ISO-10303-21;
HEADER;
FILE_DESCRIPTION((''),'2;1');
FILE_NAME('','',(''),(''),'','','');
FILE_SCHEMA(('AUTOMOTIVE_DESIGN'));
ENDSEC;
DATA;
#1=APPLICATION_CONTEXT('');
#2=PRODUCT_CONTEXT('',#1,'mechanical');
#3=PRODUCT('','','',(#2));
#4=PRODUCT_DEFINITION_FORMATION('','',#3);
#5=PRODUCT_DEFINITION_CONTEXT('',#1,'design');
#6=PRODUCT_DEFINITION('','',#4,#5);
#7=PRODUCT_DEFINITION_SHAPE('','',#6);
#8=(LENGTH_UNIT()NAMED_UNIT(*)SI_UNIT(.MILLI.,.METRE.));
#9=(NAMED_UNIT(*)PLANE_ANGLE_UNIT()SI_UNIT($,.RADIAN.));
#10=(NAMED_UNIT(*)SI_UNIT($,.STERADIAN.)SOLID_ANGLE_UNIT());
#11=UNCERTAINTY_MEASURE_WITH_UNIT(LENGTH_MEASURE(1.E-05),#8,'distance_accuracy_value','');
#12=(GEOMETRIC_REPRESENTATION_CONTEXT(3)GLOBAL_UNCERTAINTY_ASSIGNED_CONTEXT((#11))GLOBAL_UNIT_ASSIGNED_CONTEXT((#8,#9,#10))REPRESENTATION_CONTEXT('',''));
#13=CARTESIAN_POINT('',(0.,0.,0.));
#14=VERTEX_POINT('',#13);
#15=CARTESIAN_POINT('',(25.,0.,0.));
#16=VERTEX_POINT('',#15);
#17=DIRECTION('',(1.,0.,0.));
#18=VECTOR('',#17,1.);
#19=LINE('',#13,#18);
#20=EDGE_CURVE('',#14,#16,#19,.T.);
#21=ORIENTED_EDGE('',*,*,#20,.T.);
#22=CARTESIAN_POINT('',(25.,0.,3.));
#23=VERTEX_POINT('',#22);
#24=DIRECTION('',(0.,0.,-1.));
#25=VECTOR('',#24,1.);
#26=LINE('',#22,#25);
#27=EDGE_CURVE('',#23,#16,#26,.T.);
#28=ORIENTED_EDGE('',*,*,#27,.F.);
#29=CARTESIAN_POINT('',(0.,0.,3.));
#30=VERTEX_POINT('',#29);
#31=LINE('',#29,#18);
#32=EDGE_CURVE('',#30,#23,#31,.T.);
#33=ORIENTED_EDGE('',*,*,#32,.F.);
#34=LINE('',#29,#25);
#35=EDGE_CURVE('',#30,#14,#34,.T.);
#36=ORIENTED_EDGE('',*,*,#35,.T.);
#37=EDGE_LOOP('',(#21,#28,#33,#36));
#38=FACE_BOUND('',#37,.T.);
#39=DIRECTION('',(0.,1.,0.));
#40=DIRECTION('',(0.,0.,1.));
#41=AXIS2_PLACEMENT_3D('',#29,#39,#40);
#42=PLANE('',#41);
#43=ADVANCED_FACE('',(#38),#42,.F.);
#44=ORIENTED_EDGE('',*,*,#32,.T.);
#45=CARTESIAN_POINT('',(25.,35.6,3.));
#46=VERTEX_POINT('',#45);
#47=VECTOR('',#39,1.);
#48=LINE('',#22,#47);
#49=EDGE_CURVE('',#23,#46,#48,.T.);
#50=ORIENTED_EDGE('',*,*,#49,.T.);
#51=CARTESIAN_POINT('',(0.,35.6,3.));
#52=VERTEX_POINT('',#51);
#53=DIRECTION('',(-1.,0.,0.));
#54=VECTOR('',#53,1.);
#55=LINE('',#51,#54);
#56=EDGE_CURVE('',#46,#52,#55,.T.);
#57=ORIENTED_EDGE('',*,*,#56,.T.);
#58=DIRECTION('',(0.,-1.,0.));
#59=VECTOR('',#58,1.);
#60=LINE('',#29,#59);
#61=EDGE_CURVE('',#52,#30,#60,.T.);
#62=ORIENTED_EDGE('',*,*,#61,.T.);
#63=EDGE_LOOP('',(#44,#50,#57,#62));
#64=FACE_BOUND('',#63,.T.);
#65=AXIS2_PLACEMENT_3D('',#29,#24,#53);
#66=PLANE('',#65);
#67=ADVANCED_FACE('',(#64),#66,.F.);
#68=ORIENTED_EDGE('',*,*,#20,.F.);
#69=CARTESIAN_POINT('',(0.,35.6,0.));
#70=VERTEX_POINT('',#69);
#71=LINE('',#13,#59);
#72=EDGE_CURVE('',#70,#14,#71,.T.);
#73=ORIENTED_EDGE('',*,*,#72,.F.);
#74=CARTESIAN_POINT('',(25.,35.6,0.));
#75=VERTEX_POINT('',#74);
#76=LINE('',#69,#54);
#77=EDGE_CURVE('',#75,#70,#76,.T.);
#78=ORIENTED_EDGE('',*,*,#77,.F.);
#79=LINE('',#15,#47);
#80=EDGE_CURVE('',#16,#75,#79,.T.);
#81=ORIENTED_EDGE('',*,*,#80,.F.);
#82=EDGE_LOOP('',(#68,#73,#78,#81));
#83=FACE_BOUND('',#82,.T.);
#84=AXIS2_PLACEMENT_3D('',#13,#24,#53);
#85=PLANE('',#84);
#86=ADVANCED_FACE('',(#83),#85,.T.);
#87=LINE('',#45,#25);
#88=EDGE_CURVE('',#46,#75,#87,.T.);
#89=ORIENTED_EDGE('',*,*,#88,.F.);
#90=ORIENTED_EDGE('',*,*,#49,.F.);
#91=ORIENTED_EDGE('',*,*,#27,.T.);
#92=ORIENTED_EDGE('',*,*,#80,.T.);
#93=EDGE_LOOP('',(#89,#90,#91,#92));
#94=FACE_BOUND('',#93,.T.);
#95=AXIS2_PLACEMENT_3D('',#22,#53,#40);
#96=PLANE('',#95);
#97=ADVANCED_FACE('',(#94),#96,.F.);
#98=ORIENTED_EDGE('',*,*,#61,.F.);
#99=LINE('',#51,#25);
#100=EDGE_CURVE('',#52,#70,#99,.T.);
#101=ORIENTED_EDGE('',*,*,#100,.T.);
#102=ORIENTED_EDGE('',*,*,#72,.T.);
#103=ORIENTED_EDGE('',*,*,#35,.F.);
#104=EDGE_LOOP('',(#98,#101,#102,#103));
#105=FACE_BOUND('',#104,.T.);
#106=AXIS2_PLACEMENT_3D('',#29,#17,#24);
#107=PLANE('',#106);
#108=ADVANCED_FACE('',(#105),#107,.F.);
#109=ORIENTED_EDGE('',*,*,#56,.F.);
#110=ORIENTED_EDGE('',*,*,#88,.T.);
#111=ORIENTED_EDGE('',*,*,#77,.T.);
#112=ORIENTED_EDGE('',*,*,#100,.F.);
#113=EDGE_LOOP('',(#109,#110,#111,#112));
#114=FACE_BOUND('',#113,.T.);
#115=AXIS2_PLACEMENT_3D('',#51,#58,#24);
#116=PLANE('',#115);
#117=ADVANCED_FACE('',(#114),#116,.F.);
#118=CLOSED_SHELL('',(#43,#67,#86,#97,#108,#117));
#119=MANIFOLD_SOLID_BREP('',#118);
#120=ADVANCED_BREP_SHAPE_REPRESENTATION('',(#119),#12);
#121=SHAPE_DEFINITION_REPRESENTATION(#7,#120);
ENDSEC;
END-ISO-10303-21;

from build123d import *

# Parameters (mm, degrees)
SKETCH1_W           = 25
SKETCH1_H           = 35.6
BOSS_EXTRUDE1_DEPTH = 3


with BuildPart() as part:
    # Sketch1 → Boss-Extrude1 (new body)
    with BuildSketch(Plane.XY):
        with Locations((12.5, 17.8)):
            Rectangle(SKETCH1_W, SKETCH1_H)
    extrude(amount=BOSS_EXTRUDE1_DEPTH)


solid = part.part
